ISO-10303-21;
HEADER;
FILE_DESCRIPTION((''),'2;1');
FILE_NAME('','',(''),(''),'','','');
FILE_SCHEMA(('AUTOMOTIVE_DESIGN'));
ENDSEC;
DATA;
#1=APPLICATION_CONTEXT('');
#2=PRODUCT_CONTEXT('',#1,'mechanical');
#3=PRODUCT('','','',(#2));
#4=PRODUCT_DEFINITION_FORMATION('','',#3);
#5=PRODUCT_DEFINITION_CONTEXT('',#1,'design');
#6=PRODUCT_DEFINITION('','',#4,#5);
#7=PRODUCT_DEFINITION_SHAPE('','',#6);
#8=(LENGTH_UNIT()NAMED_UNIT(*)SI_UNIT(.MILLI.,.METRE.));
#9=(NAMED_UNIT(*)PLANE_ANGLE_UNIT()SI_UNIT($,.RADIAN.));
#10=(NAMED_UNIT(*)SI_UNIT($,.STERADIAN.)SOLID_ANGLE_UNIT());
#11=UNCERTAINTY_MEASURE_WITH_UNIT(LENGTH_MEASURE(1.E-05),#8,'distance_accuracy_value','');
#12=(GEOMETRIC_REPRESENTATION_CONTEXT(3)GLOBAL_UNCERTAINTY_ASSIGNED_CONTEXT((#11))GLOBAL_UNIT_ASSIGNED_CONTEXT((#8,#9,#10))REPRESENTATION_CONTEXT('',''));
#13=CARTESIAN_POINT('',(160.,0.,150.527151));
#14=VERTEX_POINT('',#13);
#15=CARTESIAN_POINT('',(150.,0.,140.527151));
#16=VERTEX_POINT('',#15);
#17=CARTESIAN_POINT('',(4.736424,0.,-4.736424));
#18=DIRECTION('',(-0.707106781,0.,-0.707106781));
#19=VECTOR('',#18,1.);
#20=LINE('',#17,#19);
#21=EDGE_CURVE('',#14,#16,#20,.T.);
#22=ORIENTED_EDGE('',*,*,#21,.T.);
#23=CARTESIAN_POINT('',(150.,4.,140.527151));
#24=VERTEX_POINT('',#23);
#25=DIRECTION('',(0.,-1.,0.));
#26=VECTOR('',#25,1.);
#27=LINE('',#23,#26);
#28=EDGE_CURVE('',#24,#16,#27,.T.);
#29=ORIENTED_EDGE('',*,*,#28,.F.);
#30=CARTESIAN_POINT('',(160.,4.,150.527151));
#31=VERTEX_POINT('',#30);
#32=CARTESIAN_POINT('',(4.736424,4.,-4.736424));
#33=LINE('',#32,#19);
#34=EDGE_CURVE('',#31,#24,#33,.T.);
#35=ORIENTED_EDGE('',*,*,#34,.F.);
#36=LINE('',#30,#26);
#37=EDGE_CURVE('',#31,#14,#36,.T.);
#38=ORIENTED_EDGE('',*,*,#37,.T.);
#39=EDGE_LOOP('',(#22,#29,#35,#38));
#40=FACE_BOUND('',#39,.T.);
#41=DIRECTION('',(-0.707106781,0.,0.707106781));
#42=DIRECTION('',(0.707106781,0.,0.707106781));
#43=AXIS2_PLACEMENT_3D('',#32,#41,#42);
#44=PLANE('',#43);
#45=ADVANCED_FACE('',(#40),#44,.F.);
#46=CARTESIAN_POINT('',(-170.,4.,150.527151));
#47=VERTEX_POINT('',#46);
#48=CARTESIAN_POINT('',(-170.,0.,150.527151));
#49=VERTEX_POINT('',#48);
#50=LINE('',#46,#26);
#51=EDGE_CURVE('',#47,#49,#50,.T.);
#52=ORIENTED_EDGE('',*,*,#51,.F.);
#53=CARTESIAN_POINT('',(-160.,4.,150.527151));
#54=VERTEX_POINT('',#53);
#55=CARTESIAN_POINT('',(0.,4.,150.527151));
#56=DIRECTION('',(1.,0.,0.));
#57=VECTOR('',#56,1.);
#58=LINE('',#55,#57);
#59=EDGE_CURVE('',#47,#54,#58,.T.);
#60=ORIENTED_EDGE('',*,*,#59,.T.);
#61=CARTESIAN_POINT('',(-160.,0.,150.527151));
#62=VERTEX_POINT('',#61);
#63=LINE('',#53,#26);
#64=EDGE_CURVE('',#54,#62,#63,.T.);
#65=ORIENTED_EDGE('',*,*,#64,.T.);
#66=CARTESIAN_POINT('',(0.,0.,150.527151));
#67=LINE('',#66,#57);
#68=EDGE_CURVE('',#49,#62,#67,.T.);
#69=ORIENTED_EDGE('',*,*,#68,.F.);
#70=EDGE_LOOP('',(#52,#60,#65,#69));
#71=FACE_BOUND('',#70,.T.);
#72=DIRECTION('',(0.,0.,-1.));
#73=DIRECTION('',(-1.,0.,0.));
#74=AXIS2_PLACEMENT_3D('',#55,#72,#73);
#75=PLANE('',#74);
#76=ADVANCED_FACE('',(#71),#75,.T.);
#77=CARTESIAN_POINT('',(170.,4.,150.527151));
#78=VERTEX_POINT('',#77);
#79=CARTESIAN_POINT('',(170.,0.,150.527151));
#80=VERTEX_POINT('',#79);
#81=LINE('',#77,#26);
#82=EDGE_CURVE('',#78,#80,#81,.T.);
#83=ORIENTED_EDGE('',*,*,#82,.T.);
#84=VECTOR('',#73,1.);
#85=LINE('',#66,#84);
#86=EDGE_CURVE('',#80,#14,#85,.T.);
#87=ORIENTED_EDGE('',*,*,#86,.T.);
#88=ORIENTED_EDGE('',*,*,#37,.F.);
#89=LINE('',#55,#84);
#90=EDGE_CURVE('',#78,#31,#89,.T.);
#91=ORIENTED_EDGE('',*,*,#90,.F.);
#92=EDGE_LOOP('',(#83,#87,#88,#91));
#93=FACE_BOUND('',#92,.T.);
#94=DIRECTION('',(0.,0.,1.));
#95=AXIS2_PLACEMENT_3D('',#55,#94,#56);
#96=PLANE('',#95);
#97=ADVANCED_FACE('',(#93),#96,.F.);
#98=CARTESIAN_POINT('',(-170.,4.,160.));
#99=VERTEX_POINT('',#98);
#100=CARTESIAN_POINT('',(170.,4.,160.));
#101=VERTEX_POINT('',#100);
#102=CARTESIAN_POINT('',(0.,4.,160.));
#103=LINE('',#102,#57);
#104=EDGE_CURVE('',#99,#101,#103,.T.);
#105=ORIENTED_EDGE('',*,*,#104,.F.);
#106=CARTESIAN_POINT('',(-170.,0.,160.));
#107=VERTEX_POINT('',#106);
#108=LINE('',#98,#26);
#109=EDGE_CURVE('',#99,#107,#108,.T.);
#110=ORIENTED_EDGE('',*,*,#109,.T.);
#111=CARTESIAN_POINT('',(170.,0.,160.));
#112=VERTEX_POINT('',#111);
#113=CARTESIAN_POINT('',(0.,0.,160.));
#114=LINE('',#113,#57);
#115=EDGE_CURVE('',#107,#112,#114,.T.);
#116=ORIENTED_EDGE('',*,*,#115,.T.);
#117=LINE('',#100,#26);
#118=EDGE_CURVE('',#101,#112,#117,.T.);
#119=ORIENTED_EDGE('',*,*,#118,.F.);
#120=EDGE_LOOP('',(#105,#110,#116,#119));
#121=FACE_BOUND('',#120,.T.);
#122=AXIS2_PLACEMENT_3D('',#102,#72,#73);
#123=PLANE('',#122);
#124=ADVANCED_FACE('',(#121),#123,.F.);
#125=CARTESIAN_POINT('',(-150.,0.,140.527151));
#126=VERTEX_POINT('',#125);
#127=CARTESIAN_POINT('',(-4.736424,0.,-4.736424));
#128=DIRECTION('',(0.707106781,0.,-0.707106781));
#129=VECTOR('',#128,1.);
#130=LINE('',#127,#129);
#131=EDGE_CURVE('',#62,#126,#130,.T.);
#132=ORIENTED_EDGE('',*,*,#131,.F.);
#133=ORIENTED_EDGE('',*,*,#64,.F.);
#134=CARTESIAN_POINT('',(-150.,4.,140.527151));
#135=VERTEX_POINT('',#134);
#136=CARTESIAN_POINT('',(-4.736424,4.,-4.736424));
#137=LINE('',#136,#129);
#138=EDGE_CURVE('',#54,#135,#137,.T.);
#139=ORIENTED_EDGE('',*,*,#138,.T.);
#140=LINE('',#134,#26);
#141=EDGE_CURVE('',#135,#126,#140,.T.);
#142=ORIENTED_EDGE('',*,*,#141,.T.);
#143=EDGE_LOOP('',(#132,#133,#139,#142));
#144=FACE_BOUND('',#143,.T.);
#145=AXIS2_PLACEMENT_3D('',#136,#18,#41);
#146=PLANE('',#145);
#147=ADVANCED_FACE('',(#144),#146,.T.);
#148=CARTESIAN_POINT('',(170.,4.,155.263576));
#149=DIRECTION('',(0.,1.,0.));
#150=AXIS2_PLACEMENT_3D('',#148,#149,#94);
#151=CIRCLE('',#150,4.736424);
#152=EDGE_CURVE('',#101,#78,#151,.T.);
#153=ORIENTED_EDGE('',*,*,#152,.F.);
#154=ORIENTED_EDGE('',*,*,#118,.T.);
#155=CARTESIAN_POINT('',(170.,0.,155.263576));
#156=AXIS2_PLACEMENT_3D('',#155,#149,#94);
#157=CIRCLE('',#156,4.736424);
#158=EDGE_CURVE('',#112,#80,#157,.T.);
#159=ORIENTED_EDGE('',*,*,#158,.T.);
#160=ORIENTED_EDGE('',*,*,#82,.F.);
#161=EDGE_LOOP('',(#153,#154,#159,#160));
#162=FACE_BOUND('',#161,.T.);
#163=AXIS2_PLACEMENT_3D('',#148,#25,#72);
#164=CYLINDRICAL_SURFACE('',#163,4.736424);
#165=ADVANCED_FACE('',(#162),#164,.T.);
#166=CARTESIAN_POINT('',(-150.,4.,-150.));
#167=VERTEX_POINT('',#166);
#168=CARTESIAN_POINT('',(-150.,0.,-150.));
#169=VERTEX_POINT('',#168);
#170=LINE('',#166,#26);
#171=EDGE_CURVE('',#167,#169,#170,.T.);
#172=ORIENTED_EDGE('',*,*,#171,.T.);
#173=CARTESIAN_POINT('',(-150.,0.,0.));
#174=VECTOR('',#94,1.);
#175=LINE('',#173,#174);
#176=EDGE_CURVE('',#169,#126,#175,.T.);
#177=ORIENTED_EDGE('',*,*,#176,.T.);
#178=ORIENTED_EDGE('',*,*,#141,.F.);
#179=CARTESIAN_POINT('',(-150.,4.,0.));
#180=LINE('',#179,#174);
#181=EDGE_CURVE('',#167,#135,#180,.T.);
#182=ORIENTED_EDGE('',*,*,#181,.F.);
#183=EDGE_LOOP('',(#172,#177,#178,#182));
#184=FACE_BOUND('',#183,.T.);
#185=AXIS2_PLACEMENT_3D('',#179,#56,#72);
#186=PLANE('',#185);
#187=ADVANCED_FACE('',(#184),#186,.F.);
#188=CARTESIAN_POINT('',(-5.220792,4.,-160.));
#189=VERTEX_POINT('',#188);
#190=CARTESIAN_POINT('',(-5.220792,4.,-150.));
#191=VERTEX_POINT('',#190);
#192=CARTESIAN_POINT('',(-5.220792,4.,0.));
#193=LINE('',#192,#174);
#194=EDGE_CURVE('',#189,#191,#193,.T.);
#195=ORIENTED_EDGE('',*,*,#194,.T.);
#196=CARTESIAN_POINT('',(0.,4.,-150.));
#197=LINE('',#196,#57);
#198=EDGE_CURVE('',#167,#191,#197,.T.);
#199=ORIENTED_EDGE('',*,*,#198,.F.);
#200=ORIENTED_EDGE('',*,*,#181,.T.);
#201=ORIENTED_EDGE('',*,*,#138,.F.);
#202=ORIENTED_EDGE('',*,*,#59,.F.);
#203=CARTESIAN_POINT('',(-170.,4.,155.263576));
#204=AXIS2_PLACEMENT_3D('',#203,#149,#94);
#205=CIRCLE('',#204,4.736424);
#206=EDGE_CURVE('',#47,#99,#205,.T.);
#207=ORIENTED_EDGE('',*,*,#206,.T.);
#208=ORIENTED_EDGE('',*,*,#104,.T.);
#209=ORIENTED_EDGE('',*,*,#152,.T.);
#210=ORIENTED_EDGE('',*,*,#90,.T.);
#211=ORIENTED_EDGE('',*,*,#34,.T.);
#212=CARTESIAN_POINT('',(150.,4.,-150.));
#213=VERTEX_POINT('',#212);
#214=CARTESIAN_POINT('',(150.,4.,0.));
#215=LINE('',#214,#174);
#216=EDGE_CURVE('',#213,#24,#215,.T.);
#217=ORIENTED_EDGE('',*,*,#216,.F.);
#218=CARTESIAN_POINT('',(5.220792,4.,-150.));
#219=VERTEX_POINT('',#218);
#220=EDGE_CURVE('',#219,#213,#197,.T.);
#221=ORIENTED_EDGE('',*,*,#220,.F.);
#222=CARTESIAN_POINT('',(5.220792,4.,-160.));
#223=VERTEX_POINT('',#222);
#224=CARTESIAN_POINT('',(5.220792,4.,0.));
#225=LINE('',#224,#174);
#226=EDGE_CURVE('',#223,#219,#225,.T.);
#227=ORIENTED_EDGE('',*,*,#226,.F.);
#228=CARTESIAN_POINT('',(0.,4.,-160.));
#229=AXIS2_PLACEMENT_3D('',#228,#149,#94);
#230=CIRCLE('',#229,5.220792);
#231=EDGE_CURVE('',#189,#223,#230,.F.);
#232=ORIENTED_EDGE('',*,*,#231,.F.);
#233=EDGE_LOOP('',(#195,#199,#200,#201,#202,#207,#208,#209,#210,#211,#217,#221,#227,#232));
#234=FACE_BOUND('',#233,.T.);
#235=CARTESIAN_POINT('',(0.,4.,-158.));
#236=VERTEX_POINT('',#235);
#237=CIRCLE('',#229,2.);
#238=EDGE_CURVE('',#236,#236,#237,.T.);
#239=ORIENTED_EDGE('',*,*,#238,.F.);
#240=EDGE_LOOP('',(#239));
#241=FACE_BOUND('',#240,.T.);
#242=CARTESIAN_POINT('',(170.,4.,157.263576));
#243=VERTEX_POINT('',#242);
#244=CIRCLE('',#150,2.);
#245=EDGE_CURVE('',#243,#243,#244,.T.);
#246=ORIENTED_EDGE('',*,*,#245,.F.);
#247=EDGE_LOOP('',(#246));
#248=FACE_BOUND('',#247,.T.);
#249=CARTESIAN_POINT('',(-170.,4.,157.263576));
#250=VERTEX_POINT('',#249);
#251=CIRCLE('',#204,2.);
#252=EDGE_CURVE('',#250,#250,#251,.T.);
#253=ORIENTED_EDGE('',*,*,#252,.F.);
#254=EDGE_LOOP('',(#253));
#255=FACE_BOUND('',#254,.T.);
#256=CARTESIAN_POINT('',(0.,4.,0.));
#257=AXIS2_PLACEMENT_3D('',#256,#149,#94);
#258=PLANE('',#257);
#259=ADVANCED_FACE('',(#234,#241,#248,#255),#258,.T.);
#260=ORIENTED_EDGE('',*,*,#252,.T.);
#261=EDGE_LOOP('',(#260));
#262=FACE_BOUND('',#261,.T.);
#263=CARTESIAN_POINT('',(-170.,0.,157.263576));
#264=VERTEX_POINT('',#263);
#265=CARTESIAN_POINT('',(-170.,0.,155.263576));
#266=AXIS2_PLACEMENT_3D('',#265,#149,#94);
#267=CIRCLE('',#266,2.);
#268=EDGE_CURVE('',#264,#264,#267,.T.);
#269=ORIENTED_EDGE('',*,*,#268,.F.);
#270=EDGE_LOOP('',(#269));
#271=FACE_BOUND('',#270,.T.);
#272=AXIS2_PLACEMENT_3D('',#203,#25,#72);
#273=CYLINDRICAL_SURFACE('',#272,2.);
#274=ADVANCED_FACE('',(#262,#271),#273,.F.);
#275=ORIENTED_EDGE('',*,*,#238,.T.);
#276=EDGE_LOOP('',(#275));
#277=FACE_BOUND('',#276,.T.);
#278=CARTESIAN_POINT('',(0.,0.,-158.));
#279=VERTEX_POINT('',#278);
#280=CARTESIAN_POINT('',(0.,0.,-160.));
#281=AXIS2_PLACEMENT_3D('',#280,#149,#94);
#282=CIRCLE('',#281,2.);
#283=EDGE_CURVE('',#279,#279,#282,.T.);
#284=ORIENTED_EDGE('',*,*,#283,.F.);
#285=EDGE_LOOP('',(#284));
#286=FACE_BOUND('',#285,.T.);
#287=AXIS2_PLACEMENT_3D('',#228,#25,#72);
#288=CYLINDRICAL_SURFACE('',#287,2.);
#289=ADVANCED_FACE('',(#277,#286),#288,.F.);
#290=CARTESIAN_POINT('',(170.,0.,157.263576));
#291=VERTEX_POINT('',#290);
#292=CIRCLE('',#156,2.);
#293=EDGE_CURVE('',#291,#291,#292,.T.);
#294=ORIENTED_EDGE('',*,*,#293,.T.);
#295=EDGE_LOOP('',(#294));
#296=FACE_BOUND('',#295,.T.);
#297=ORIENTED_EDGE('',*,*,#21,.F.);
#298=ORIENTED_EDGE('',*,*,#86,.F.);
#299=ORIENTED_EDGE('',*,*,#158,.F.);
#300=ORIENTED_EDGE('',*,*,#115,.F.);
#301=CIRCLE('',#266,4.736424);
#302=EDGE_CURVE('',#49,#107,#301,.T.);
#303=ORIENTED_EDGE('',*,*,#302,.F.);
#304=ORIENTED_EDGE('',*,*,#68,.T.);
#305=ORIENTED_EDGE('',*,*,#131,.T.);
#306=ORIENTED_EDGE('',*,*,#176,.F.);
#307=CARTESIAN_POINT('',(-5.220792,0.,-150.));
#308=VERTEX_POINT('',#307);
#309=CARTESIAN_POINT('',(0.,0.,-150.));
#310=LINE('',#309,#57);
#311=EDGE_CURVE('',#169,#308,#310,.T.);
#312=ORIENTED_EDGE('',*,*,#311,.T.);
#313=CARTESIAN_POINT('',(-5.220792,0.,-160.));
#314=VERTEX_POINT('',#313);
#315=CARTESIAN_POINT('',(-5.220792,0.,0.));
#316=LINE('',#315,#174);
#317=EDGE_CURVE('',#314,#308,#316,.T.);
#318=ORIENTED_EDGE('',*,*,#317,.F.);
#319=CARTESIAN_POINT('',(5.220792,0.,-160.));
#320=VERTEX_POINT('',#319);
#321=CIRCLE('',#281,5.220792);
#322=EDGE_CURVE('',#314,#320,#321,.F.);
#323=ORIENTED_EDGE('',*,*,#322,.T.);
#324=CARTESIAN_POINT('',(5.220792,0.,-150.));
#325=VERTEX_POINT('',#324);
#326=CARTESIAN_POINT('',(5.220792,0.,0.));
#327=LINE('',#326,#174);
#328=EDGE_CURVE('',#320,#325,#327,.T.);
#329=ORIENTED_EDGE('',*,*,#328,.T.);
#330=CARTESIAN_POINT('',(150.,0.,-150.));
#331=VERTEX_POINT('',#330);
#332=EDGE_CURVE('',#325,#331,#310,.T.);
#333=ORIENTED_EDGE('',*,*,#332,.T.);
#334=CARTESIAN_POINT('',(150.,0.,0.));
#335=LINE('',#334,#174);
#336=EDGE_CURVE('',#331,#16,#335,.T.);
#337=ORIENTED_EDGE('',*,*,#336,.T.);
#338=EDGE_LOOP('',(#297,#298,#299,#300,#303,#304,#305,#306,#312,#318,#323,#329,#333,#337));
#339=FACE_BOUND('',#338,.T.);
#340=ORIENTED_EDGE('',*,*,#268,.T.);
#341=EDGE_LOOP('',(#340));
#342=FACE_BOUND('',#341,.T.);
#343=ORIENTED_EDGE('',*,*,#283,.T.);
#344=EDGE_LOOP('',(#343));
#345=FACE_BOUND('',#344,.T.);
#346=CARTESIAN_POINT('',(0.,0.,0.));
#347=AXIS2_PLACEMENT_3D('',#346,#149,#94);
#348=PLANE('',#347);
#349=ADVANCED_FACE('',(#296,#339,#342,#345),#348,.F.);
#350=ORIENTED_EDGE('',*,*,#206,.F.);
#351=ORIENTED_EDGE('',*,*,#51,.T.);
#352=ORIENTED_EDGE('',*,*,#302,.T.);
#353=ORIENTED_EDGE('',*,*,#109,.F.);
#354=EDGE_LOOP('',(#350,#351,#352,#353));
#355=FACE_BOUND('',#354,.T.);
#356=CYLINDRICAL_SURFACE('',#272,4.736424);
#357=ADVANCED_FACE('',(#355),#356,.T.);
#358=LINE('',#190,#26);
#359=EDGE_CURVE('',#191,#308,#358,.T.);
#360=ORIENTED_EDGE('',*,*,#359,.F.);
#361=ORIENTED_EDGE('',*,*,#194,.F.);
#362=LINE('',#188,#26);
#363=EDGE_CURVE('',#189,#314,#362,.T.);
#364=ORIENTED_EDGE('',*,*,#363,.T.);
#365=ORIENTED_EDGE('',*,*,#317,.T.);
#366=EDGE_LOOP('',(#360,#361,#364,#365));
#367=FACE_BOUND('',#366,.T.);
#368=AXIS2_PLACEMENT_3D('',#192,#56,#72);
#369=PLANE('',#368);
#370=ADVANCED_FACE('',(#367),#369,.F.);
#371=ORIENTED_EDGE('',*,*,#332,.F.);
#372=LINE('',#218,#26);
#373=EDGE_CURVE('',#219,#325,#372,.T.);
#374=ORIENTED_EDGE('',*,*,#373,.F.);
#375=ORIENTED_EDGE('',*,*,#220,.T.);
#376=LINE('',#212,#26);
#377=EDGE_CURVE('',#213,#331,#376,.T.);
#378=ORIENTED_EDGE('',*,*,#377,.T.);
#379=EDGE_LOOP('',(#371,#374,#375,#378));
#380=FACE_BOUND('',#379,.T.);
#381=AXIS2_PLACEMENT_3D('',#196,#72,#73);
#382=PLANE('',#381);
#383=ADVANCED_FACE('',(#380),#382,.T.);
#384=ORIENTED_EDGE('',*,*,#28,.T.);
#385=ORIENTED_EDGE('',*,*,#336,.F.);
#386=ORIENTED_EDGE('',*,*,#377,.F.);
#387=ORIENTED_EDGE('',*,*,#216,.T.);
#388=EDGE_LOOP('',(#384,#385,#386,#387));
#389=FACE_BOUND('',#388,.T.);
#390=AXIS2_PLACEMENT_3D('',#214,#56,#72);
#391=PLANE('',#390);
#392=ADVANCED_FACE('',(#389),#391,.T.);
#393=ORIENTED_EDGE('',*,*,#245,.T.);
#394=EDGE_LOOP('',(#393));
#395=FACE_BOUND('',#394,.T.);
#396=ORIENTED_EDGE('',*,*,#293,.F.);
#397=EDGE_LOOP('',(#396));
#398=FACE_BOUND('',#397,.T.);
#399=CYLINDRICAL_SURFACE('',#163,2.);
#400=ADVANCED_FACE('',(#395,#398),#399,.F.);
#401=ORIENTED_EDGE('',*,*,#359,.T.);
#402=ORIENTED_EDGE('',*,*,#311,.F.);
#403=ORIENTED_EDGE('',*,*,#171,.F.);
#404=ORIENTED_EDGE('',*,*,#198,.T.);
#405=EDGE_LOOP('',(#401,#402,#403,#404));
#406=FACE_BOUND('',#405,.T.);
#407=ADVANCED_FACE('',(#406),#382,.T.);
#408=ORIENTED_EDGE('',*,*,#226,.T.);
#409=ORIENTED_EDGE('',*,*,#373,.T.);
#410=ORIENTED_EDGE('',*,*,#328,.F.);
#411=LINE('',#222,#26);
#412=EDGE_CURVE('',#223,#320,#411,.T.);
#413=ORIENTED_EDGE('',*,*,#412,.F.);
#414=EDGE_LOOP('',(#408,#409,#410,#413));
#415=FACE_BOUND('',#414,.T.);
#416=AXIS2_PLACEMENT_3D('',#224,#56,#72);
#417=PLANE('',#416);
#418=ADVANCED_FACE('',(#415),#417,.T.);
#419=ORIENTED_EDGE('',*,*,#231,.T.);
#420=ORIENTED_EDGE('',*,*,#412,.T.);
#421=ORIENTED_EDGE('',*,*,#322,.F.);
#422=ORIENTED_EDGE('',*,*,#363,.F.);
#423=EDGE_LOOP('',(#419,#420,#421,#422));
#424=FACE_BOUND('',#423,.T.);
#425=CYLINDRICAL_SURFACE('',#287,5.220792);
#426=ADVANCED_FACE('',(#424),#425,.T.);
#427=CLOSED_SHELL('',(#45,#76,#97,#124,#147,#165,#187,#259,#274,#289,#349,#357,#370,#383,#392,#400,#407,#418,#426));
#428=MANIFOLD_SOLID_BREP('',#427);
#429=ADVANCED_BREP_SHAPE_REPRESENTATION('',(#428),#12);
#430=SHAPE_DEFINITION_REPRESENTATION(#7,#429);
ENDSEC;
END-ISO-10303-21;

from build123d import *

# Parameters (mm, degrees)
SKETCH1_R           = 2
BOSS_EXTRUDE1_DEPTH = 4


with BuildPart() as part:
    # Sketch1 → Boss-Extrude1 (new body)
    with BuildSketch(Plane(origin=(0, 0, 0), x_dir=(1, 0, 0), z_dir=(0, 1, 0))):
        with BuildLine():
            ThreePointArc((-5.220792314, 160), (0, 165.220792314), (5.220792314, 160))
            Line((5.220792314, 160), (5.220792314, 150))
            Line((5.220792314, 150), (150, 150))
            Line((150, 150), (150, -140.527151098))
            Line((150, -140.527151098), (160, -150.527151098))
            Line((160, -150.527151098), (170, -150.527151098))
            ThreePointArc((170, -150.527151098), (174.736424451, -155.263575549), (170, -160))
            Line((170, -160), (-170, -160))
            ThreePointArc((-170, -160), (-174.736424451, -155.263575549), (-170, -150.527151098))
            Line((-170, -150.527151098), (-160, -150.527151098))
            Line((-160, -150.527151098), (-150, -140.527151098))
            Line((-150, -140.527151098), (-150, 150))
            Line((-150, 150), (-5.220792314, 150))
            Line((-5.220792314, 150), (-5.220792314, 160))
        make_face()
        with Locations(Location((170, -155.263575549, 0), (0, 0, 270))):
            Circle(SKETCH1_R, mode=Mode.SUBTRACT)
        with Locations(Location((-170, -155.263575549, 0), (0, 0, 270))):
            Circle(SKETCH1_R, mode=Mode.SUBTRACT)
        with Locations(Location((0, 160, 0), (0, 0, 270))):
            Circle(SKETCH1_R, mode=Mode.SUBTRACT)
    extrude(amount=BOSS_EXTRUDE1_DEPTH)


solid = part.part
